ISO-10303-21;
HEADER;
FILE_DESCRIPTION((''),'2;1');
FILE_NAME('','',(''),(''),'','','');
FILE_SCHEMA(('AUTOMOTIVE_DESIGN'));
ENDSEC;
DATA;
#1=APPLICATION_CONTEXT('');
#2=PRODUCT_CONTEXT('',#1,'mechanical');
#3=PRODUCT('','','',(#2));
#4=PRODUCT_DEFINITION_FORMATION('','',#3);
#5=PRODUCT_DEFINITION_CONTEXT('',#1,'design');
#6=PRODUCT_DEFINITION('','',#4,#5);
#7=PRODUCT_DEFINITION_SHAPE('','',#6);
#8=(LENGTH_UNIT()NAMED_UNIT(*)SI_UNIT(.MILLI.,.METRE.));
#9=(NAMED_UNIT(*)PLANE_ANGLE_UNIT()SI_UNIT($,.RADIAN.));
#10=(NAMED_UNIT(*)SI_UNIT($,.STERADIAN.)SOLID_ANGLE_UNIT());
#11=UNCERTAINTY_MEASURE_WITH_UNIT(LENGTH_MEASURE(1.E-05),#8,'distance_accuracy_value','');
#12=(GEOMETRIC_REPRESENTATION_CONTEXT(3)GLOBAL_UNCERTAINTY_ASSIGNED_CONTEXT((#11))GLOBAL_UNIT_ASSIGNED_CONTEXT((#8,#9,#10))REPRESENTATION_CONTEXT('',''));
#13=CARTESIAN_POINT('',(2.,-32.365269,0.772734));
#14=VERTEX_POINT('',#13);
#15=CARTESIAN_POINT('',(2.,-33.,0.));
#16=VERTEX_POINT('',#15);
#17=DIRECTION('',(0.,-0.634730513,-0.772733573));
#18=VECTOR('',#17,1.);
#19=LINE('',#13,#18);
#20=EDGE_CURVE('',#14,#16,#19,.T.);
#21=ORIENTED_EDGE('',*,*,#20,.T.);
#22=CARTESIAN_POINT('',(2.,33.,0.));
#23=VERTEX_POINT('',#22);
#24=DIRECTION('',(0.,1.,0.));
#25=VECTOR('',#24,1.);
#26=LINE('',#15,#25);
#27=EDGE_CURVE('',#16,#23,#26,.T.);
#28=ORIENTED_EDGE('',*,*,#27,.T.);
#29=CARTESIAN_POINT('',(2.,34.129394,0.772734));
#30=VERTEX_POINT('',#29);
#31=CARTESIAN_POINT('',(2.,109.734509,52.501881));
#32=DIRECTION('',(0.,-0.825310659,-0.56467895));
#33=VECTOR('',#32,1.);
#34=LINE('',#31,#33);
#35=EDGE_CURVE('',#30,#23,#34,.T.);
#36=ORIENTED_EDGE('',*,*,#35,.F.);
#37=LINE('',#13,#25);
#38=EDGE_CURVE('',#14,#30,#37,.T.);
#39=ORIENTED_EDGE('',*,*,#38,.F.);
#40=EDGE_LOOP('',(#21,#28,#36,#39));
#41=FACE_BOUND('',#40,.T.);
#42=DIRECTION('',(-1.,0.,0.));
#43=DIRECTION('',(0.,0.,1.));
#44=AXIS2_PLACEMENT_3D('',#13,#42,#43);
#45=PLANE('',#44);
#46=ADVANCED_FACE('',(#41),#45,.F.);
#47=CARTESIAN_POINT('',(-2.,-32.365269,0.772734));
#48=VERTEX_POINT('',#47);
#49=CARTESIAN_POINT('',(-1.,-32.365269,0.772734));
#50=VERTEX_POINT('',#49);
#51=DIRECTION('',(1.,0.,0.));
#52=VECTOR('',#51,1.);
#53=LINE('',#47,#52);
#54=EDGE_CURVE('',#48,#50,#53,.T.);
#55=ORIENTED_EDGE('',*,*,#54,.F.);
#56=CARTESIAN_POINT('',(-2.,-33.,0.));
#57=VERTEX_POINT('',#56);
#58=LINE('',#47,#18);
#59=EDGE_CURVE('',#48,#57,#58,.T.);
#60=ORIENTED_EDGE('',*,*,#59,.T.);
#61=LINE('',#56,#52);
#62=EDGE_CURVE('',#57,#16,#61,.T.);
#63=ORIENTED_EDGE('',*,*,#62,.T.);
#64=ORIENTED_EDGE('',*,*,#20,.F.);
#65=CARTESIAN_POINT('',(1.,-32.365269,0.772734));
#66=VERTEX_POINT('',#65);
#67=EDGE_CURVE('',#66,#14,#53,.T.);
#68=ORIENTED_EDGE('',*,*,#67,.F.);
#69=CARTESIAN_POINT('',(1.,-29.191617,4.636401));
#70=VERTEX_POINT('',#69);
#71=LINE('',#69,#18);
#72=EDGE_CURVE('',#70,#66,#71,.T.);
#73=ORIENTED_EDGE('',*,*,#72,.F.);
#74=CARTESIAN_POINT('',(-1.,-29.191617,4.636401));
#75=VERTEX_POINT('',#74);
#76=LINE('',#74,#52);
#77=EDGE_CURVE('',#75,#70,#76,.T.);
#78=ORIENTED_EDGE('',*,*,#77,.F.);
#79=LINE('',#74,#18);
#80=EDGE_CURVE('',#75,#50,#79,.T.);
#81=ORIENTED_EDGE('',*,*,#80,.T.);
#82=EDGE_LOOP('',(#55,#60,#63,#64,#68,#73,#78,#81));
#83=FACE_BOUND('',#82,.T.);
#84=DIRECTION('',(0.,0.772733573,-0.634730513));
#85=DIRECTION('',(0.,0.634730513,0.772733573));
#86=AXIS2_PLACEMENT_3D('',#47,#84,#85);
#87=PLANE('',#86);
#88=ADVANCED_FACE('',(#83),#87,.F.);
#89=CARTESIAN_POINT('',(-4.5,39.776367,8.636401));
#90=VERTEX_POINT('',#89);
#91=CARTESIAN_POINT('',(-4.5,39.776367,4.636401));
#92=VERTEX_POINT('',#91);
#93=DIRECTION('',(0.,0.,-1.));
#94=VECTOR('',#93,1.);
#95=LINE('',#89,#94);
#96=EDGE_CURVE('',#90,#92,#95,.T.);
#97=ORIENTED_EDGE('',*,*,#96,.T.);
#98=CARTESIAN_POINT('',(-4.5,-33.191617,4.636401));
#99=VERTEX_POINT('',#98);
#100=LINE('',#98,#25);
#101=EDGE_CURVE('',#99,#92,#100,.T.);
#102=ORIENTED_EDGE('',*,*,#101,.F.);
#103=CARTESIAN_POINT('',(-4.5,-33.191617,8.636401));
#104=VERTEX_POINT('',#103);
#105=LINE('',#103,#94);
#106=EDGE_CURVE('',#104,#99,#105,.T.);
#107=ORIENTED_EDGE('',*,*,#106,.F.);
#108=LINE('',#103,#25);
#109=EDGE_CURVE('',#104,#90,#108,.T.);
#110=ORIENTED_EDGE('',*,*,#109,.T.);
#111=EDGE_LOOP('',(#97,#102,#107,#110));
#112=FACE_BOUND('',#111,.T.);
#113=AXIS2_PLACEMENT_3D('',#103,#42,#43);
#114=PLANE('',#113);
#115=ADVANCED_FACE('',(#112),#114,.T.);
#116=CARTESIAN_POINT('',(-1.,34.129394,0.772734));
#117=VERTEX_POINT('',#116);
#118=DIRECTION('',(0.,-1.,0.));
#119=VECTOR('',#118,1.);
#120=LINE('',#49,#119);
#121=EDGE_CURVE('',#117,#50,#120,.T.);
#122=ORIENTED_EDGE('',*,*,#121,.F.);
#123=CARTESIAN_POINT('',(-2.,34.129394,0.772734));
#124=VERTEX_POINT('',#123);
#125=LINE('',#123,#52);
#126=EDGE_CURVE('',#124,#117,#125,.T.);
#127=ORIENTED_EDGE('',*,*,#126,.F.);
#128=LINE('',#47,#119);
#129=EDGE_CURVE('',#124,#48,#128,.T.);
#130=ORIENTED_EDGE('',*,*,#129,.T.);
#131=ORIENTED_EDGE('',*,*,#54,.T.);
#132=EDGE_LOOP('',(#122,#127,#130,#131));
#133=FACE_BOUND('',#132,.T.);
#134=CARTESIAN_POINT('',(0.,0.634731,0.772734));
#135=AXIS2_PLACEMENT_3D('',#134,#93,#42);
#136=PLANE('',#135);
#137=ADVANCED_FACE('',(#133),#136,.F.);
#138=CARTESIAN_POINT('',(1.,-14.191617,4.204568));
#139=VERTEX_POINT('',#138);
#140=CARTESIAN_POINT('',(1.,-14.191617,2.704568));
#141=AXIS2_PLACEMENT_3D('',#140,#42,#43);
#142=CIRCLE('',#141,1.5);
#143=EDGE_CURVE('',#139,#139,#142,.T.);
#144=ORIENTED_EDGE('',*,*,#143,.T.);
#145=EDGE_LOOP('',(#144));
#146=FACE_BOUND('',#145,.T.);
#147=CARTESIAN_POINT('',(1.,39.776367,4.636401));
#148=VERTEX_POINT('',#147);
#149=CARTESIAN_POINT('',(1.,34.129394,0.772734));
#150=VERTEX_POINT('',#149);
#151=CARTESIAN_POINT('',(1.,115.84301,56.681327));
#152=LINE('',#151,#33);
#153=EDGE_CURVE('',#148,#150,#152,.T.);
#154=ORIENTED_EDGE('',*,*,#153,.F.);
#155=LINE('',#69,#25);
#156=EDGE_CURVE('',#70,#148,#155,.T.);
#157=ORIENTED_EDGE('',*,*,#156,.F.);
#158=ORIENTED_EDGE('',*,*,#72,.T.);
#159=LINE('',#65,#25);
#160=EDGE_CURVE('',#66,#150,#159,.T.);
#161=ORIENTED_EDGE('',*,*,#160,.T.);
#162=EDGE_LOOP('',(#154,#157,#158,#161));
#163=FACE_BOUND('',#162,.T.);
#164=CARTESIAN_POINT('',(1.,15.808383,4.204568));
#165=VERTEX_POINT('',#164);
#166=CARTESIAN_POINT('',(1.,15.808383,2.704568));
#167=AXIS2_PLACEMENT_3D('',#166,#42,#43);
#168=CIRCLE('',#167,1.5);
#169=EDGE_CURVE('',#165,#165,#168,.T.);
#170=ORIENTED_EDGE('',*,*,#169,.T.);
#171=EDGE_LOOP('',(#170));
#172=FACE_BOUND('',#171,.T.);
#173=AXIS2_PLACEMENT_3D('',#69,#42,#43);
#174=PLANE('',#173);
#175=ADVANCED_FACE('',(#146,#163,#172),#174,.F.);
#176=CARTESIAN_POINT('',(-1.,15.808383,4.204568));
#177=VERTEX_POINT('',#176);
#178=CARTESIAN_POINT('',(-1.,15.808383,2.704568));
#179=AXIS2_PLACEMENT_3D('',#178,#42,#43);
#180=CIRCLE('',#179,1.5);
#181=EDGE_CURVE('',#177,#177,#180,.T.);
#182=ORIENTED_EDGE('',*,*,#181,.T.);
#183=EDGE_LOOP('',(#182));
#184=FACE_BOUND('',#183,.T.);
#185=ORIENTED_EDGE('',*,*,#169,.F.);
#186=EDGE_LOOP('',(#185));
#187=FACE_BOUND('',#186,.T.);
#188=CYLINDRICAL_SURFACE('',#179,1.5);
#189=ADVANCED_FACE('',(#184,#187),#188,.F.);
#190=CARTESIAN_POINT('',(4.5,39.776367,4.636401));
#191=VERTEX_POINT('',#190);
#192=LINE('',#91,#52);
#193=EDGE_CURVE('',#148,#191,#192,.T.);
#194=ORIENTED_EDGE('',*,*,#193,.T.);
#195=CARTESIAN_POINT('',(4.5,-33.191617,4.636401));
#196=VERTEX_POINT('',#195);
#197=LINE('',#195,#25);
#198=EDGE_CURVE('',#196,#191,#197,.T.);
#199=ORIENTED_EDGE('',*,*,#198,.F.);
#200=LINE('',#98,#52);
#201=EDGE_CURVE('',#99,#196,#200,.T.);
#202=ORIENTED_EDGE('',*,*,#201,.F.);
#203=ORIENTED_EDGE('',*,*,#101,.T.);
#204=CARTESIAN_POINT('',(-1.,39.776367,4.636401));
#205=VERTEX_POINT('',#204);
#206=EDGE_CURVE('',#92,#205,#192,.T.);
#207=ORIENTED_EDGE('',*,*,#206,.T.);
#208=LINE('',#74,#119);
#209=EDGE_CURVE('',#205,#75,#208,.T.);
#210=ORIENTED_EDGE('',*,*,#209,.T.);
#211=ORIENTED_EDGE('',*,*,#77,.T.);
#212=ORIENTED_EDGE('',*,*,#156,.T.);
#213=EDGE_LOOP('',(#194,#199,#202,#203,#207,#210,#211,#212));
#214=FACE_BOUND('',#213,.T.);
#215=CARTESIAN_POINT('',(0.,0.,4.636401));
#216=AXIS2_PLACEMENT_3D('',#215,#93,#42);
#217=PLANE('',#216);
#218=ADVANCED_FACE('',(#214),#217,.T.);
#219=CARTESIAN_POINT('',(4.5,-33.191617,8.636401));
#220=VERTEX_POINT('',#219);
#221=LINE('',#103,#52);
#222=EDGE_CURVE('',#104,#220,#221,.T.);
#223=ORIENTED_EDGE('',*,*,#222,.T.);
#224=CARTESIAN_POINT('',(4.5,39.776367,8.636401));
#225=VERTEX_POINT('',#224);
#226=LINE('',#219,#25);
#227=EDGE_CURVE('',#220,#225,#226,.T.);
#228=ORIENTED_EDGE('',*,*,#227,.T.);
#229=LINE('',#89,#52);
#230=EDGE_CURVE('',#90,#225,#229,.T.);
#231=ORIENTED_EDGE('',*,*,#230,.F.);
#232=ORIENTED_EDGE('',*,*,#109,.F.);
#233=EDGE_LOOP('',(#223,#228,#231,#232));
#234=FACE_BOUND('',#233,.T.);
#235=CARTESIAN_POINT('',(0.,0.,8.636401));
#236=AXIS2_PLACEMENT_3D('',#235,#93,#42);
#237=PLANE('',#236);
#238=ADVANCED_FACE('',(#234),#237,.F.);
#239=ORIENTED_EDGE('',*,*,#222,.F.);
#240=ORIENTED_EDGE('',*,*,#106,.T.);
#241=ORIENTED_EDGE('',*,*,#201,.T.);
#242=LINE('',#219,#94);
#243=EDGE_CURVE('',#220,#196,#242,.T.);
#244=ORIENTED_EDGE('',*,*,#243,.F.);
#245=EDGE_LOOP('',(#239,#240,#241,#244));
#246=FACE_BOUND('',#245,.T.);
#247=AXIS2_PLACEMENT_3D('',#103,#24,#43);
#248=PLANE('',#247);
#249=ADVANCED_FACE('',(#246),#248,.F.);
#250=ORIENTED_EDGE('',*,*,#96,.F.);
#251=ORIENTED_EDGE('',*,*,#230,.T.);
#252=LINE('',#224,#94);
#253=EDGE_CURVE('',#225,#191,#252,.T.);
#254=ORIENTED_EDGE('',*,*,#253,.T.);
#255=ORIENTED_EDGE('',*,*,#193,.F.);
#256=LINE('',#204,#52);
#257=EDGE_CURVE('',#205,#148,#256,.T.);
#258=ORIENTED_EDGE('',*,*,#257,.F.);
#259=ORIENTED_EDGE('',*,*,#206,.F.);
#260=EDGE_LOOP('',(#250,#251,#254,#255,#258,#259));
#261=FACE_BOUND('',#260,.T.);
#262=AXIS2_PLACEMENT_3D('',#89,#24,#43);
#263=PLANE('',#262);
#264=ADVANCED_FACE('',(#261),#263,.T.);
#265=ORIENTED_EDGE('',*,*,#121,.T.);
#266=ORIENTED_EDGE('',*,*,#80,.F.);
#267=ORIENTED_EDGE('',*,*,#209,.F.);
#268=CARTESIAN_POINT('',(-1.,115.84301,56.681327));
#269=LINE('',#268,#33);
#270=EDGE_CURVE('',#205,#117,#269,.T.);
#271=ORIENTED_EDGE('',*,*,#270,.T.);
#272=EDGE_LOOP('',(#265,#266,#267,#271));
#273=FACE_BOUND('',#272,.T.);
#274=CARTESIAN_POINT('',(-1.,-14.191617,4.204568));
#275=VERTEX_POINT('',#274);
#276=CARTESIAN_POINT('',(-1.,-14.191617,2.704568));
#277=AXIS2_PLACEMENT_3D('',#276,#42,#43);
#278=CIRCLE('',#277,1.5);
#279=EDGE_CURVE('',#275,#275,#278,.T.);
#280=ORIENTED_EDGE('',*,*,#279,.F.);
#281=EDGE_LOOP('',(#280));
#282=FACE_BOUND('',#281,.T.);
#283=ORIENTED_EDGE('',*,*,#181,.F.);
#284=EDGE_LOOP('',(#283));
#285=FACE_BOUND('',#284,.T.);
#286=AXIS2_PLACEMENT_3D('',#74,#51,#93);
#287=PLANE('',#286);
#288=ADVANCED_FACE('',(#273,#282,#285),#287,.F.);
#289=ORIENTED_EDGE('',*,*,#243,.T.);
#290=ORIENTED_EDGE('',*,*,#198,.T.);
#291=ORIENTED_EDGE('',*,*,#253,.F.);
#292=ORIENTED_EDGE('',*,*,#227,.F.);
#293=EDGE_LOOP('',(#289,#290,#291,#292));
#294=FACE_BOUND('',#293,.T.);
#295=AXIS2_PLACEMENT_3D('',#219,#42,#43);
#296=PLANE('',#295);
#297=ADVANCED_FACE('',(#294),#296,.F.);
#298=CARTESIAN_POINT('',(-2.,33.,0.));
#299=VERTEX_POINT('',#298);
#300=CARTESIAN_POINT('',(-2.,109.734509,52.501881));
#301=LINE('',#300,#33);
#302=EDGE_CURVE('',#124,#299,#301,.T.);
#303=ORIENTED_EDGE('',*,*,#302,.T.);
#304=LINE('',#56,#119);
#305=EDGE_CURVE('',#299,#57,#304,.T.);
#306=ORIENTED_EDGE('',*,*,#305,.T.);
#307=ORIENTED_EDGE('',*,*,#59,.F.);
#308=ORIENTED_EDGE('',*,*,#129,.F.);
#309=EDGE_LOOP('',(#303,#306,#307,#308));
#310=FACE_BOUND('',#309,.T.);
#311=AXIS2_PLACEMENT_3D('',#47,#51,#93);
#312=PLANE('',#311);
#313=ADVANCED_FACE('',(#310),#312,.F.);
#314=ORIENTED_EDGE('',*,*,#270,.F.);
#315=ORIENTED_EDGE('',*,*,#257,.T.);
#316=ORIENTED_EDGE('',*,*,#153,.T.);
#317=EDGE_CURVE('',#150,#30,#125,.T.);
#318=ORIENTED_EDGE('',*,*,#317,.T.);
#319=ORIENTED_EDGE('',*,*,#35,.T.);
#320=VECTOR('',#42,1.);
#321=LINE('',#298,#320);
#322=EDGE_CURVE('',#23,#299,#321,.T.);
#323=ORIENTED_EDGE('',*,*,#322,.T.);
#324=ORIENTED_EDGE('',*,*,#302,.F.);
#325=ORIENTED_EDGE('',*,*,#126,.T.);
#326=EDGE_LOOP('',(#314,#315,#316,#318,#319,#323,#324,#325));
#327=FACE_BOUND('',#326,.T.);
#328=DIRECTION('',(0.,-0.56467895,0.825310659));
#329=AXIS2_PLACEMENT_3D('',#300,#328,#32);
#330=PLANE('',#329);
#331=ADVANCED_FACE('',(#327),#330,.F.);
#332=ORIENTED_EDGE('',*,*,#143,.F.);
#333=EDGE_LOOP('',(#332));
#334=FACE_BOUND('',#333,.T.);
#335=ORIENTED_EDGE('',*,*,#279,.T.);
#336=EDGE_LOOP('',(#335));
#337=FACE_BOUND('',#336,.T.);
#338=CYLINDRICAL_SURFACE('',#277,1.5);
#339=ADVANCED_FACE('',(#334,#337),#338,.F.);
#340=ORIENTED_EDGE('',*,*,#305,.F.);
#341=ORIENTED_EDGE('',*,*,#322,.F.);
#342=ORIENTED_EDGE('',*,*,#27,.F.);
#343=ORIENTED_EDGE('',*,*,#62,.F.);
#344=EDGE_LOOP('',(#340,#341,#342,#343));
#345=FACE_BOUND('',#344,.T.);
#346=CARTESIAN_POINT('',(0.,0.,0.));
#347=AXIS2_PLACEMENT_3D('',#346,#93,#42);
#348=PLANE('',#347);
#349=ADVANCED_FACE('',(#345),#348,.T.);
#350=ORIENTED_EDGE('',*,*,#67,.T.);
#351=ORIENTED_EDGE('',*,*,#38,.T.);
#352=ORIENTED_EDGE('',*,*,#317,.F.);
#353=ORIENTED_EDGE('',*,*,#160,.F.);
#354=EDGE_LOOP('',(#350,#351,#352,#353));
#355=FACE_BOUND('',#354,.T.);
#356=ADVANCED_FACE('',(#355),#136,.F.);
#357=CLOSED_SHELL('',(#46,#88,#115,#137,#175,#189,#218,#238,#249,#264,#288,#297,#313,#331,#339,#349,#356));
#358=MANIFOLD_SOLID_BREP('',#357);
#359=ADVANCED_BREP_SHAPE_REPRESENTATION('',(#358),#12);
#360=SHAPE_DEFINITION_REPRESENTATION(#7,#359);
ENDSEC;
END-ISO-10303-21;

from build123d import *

# Parameters (mm, degrees)
SKETCH1_W             = 4
SKETCH1_H             = 66
BOSS_EXTRUDE1_DEPTH   = 1
SKETCH1_2_W           = 4
SKETCH1_2_H           = 66
BOSS_EXTRUDE2_DEPTH   = 1.36844839
SKETCH4_W             = 2
SKETCH4_H             = 66.494663906
BOSS_EXTRUDE3_DEPTH   = 5
SKETCH4_2_W           = 2
SKETCH4_2_H           = 66.494663906
BOSS_EXTRUDE4_DEPTH   = 6.842238407
F_3_0MM_DOWEL_HOLE1_D = 3
SKETCH9_W             = 9
SKETCH9_H             = 72.967983433
BOSS_EXTRUDE6_DEPTH   = 4


with BuildPart() as part:
    # Sketch1 → Boss-Extrude1 (new, along a direction that is not the sketch's normal)
    with BuildSketch(Plane.XY):
        Rectangle(SKETCH1_W, SKETCH1_H)
    extrude(amount=BOSS_EXTRUDE1_DEPTH, dir=(0, 0.6347305132022716, 0.7727335734973478))

    # Sketch1<2> → Boss-Extrude2 (add, along a direction that is not the sketch's normal)
    with BuildSketch(Plane.XY):
        Rectangle(SKETCH1_2_W, SKETCH1_2_H)
    extrude(amount=BOSS_EXTRUDE2_DEPTH, dir=(0, 0.8253106586930028, 0.5646789500660725))

    # Sketch4 → Boss-Extrude3 (add, along a direction that is not the sketch's normal)
    with BuildSketch(Plane.XY.offset(0.772733573)):
        with Locations((0, 0.882062466)):
            Rectangle(SKETCH4_W, SKETCH4_H)
    extrude(amount=BOSS_EXTRUDE3_DEPTH, dir=(0, 0.6347305132022716, 0.7727335734973478))

    # Sketch4<2> → Boss-Extrude4 (add, along a direction that is not the sketch's normal)
    with BuildSketch(Plane.XY.offset(0.772733573)):
        with Locations((0, 0.882062466)):
            Rectangle(SKETCH4_2_W, SKETCH4_2_H)
    extrude(amount=BOSS_EXTRUDE4_DEPTH, dir=(0, 0.8253106586930028, 0.5646789500660725))

    # Ø3.0mm Dowel Hole1 (through all)
    with Locations(Plane.ZY.offset(1)):
        with Locations((2.704567507, -14.191616921), (2.704567507, 15.808383079)):
            Hole(F_3_0MM_DOWEL_HOLE1_D / 2)

    # Sketch9 → Boss-Extrude6 (add)
    with BuildSketch(Plane.XY.offset(4.636401441)):
        with Locations((0, 3.292374795)):
            Rectangle(SKETCH9_W, SKETCH9_H)
    extrude(amount=BOSS_EXTRUDE6_DEPTH)


solid = part.part
